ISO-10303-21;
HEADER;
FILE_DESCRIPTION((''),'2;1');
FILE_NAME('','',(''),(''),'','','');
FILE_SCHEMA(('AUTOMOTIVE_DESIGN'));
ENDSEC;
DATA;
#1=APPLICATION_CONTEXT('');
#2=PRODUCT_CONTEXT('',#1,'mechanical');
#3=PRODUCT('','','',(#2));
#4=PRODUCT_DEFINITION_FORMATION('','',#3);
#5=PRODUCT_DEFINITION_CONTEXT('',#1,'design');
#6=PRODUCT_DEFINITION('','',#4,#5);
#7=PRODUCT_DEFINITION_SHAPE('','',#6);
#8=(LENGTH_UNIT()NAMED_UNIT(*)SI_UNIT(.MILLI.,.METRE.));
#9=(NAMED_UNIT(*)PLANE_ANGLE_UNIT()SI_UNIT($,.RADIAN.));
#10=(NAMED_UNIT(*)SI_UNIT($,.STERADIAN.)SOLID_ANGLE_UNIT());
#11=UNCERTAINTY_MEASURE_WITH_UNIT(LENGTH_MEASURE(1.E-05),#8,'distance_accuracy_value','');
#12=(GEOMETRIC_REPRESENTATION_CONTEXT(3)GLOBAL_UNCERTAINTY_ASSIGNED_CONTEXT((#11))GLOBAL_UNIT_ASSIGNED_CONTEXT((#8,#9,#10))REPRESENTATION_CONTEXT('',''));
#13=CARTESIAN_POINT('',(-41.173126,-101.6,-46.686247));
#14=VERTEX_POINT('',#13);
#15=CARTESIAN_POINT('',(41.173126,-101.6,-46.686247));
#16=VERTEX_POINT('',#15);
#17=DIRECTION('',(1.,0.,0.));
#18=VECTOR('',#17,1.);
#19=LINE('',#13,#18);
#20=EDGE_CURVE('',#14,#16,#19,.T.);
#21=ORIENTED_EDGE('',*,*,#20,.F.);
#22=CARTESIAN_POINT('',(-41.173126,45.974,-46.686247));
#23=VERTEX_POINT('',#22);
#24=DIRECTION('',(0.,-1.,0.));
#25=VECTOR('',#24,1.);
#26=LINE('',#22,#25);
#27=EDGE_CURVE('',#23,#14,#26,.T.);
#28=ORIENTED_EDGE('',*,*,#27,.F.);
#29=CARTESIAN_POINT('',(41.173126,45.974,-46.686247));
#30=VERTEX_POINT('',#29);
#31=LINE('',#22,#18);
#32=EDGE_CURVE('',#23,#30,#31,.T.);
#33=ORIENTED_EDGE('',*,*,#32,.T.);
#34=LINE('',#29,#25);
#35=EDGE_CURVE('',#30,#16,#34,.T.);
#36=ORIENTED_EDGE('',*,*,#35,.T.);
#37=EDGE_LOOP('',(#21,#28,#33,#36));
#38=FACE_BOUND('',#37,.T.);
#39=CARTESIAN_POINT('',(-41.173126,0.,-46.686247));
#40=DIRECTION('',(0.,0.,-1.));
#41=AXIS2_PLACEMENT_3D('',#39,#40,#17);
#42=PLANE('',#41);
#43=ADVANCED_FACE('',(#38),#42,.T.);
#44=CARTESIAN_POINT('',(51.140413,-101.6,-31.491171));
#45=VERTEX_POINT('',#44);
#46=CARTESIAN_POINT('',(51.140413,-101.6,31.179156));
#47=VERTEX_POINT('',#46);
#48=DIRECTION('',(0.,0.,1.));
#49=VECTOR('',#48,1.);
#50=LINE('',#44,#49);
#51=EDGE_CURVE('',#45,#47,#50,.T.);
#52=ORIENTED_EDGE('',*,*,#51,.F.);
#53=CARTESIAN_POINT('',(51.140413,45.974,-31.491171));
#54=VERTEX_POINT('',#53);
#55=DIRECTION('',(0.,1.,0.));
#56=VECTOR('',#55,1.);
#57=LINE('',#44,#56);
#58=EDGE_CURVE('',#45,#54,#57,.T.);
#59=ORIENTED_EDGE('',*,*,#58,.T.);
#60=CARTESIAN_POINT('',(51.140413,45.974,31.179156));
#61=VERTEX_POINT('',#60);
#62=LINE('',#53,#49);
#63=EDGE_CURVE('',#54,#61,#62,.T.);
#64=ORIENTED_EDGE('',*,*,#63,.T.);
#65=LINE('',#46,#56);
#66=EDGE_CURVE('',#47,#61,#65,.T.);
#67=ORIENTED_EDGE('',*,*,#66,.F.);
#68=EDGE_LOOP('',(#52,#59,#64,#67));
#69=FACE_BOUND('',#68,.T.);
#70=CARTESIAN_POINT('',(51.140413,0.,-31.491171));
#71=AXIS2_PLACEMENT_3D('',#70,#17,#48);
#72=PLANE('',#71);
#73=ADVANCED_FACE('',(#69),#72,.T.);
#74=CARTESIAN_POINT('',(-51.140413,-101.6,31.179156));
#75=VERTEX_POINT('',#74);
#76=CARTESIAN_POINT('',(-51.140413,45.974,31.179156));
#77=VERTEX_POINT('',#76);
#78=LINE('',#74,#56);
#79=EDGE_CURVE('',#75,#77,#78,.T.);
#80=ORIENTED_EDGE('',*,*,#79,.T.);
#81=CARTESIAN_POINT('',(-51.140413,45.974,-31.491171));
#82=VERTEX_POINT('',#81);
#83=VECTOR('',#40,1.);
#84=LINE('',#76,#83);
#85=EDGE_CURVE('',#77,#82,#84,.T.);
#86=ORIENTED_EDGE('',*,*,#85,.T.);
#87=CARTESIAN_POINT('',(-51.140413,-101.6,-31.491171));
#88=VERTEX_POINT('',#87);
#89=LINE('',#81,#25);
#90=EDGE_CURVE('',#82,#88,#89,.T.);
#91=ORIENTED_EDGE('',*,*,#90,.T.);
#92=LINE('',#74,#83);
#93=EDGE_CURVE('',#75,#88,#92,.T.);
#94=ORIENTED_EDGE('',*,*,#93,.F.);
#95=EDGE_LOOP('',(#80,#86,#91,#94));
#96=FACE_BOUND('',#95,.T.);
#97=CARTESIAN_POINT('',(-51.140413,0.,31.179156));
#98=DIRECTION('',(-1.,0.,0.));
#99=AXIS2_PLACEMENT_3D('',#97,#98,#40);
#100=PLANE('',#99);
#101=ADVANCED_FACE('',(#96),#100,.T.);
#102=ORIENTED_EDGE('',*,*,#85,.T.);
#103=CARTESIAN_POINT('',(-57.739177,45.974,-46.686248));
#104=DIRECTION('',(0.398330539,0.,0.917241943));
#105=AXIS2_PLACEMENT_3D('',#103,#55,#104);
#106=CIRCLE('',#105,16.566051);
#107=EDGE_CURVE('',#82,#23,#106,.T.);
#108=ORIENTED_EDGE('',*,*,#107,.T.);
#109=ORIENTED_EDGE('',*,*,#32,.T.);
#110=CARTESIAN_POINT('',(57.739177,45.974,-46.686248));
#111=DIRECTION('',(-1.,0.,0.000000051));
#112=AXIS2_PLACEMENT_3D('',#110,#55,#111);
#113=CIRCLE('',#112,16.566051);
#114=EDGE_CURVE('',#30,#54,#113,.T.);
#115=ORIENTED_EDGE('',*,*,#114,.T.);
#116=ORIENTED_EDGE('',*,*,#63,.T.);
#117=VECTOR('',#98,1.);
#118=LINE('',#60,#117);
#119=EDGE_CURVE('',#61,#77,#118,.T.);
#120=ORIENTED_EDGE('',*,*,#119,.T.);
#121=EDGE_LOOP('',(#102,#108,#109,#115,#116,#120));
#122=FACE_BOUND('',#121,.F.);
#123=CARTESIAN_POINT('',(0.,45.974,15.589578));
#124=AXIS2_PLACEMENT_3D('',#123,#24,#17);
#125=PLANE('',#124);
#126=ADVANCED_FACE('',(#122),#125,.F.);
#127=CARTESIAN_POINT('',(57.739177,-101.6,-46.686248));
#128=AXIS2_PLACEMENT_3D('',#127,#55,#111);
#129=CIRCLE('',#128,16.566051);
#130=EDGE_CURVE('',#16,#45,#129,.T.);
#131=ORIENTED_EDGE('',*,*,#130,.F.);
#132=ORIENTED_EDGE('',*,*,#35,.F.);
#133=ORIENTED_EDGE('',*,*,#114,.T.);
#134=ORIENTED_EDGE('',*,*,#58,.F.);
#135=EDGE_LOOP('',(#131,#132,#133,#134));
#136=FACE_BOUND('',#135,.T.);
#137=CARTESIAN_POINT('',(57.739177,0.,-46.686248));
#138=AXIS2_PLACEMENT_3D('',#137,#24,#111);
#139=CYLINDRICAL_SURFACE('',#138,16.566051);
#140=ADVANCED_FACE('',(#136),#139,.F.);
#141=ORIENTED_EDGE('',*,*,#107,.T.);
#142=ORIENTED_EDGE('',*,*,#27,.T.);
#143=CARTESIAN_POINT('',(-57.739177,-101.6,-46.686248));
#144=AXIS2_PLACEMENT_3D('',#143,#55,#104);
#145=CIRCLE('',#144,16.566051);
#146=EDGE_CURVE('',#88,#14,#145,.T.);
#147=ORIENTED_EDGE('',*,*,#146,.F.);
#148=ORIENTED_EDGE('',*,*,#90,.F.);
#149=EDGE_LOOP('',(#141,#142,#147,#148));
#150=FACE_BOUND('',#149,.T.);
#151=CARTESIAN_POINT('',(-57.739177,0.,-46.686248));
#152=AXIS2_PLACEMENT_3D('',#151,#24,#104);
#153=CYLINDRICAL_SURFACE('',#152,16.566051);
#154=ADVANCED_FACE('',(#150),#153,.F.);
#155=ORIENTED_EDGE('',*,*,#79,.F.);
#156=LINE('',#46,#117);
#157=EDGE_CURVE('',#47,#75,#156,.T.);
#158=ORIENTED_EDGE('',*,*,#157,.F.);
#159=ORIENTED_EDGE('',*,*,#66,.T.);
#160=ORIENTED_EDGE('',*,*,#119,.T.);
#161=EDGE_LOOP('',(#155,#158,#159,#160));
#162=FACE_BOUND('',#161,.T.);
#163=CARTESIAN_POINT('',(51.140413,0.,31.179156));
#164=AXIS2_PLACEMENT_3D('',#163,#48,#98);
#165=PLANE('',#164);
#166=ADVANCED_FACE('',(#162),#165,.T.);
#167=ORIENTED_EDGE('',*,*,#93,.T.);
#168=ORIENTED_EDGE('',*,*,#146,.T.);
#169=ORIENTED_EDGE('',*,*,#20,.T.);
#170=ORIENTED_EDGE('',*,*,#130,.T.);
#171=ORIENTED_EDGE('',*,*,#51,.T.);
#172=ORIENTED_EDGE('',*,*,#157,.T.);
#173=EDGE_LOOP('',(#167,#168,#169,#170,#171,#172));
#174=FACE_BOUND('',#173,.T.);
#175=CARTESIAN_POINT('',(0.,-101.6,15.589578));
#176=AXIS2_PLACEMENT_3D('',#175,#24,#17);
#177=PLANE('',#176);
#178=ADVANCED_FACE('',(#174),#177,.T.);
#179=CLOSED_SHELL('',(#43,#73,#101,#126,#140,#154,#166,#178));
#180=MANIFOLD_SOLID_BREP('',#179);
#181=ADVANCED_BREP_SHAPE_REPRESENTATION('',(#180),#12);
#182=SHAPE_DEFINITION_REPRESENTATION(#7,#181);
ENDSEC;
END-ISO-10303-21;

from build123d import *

# Parameters (mm, degrees)
F1_DEPTH      = 101.6
F1_DEPTH_BACK = 45.974


with BuildPart() as f1:
    # F0 (on Front) → F1 (new body, two sides)
    with BuildSketch(Plane.XZ) as f1_sk:
        Polygon((-51.140413, 31.179156), (-51.140413, 0), (0, 0), (51.140413, 0), (51.140413, 31.179156), align=None)
        with BuildLine():
            ThreePointArc((-51.140413, -31.491171), (-43.887291, -37.600033), (-41.173126, -46.686247))
            Line((-41.173126, -46.686247), (41.173126, -46.686247))
            ThreePointArc((41.173126, -46.686247), (43.887291, -37.600033), (51.140413, -31.491171))
            Line((51.140413, -31.491171), (51.140413, 0))
            Line((51.140413, 0), (0, 0))
            Line((0, 0), (-51.140413, 0))
            Line((-51.140413, 0), (-51.140413, -31.491171))
        make_face()
    extrude(amount=F1_DEPTH)
    extrude(f1_sk.sketch, amount=-F1_DEPTH_BACK)


solid = f1.part
